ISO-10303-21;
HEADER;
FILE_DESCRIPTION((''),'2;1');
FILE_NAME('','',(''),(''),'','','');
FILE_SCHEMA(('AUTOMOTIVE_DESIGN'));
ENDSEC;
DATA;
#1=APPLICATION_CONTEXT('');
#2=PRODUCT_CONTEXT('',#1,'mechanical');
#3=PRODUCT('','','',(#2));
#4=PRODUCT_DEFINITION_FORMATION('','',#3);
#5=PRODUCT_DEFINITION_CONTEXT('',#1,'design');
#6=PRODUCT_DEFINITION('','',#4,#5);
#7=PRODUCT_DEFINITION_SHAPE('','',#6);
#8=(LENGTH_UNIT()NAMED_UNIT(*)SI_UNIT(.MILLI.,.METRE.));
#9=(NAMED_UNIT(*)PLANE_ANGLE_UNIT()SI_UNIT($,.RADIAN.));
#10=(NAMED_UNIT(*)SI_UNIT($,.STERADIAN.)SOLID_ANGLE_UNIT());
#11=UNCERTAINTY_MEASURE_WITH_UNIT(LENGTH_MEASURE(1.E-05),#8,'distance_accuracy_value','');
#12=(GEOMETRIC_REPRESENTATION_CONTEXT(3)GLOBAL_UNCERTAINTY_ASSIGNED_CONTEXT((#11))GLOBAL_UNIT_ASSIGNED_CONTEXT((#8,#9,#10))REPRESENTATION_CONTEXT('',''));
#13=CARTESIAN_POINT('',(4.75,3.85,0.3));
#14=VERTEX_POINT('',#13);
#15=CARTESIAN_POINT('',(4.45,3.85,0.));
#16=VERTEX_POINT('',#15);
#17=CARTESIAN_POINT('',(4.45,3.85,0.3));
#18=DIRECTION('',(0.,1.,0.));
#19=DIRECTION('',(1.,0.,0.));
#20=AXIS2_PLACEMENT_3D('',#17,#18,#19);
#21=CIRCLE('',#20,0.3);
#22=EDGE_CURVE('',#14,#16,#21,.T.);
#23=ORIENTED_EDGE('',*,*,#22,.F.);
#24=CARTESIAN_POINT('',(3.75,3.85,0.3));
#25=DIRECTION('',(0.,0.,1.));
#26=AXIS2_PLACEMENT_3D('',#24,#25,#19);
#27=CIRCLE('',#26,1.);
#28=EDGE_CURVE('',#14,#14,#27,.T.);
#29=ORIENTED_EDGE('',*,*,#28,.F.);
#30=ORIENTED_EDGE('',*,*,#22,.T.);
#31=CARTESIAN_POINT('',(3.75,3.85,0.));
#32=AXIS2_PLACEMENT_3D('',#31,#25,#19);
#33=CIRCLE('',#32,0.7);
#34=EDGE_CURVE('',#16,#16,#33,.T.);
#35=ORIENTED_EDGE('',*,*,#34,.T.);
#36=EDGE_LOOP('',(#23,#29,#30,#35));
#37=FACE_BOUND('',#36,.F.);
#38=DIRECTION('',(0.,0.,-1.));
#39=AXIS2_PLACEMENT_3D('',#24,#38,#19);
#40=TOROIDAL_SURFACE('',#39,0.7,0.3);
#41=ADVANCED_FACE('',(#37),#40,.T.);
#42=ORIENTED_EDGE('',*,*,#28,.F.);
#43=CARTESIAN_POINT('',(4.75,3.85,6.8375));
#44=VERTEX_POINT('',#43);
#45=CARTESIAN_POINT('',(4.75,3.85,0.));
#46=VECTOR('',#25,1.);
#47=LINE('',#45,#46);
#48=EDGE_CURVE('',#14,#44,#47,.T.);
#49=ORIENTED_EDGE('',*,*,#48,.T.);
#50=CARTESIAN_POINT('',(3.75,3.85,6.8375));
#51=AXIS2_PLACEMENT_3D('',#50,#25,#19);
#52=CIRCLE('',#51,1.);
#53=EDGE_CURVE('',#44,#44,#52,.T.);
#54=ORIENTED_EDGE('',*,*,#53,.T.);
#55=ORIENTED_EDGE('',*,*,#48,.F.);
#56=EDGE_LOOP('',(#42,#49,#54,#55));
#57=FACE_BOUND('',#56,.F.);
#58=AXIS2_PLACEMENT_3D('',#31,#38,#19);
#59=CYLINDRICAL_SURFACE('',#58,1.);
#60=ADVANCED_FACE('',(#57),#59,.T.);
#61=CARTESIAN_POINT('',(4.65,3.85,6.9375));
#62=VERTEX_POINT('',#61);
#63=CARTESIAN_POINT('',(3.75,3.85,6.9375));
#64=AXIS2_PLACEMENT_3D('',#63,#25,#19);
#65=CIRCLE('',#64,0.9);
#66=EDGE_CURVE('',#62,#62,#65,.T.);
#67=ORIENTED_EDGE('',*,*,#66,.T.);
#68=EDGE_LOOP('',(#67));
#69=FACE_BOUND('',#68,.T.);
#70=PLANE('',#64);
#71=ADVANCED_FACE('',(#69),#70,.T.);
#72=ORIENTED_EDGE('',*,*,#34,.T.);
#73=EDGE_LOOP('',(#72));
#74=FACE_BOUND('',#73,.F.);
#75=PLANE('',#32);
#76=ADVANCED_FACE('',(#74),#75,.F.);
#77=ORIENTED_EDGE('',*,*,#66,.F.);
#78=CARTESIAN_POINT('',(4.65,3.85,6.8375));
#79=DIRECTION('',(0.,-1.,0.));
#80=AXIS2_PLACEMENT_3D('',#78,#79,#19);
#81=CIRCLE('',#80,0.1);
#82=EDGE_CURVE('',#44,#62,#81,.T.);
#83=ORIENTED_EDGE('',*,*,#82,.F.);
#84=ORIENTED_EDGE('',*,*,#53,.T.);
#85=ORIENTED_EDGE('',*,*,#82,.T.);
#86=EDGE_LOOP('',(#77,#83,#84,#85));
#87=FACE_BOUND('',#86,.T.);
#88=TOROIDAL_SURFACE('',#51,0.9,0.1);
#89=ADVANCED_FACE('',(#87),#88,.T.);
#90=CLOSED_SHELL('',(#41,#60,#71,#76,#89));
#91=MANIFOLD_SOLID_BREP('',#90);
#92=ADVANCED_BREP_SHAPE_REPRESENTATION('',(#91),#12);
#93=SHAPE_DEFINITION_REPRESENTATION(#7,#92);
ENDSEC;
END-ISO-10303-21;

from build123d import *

# Parameters (mm, degrees)
SKETCH007_R  = 1
PAD003_DEPTH = 6.9375
FILLET002_R  = 0.1
FILLET003_R  = 0.3


with BuildPart() as part:
    # Sketch007 → Pad003 (new body)
    with BuildSketch(Plane.XY):
        with Locations((3.75, 3.85)):
            Circle(SKETCH007_R)
    extrude(amount=PAD003_DEPTH)

    # Fillet002
    fillet002_edges = [part.edges().sort_by_distance(p)[0] for p in [
        (2.75, 3.85, 6.9375),
    ]]
    fillet(fillet002_edges, radius=FILLET002_R)

    # Fillet003
    fillet003_edges = [part.edges().sort_by_distance(p)[0] for p in [
        (2.75, 3.85, 0),
    ]]
    fillet(fillet003_edges, radius=FILLET003_R)


solid = part.part
